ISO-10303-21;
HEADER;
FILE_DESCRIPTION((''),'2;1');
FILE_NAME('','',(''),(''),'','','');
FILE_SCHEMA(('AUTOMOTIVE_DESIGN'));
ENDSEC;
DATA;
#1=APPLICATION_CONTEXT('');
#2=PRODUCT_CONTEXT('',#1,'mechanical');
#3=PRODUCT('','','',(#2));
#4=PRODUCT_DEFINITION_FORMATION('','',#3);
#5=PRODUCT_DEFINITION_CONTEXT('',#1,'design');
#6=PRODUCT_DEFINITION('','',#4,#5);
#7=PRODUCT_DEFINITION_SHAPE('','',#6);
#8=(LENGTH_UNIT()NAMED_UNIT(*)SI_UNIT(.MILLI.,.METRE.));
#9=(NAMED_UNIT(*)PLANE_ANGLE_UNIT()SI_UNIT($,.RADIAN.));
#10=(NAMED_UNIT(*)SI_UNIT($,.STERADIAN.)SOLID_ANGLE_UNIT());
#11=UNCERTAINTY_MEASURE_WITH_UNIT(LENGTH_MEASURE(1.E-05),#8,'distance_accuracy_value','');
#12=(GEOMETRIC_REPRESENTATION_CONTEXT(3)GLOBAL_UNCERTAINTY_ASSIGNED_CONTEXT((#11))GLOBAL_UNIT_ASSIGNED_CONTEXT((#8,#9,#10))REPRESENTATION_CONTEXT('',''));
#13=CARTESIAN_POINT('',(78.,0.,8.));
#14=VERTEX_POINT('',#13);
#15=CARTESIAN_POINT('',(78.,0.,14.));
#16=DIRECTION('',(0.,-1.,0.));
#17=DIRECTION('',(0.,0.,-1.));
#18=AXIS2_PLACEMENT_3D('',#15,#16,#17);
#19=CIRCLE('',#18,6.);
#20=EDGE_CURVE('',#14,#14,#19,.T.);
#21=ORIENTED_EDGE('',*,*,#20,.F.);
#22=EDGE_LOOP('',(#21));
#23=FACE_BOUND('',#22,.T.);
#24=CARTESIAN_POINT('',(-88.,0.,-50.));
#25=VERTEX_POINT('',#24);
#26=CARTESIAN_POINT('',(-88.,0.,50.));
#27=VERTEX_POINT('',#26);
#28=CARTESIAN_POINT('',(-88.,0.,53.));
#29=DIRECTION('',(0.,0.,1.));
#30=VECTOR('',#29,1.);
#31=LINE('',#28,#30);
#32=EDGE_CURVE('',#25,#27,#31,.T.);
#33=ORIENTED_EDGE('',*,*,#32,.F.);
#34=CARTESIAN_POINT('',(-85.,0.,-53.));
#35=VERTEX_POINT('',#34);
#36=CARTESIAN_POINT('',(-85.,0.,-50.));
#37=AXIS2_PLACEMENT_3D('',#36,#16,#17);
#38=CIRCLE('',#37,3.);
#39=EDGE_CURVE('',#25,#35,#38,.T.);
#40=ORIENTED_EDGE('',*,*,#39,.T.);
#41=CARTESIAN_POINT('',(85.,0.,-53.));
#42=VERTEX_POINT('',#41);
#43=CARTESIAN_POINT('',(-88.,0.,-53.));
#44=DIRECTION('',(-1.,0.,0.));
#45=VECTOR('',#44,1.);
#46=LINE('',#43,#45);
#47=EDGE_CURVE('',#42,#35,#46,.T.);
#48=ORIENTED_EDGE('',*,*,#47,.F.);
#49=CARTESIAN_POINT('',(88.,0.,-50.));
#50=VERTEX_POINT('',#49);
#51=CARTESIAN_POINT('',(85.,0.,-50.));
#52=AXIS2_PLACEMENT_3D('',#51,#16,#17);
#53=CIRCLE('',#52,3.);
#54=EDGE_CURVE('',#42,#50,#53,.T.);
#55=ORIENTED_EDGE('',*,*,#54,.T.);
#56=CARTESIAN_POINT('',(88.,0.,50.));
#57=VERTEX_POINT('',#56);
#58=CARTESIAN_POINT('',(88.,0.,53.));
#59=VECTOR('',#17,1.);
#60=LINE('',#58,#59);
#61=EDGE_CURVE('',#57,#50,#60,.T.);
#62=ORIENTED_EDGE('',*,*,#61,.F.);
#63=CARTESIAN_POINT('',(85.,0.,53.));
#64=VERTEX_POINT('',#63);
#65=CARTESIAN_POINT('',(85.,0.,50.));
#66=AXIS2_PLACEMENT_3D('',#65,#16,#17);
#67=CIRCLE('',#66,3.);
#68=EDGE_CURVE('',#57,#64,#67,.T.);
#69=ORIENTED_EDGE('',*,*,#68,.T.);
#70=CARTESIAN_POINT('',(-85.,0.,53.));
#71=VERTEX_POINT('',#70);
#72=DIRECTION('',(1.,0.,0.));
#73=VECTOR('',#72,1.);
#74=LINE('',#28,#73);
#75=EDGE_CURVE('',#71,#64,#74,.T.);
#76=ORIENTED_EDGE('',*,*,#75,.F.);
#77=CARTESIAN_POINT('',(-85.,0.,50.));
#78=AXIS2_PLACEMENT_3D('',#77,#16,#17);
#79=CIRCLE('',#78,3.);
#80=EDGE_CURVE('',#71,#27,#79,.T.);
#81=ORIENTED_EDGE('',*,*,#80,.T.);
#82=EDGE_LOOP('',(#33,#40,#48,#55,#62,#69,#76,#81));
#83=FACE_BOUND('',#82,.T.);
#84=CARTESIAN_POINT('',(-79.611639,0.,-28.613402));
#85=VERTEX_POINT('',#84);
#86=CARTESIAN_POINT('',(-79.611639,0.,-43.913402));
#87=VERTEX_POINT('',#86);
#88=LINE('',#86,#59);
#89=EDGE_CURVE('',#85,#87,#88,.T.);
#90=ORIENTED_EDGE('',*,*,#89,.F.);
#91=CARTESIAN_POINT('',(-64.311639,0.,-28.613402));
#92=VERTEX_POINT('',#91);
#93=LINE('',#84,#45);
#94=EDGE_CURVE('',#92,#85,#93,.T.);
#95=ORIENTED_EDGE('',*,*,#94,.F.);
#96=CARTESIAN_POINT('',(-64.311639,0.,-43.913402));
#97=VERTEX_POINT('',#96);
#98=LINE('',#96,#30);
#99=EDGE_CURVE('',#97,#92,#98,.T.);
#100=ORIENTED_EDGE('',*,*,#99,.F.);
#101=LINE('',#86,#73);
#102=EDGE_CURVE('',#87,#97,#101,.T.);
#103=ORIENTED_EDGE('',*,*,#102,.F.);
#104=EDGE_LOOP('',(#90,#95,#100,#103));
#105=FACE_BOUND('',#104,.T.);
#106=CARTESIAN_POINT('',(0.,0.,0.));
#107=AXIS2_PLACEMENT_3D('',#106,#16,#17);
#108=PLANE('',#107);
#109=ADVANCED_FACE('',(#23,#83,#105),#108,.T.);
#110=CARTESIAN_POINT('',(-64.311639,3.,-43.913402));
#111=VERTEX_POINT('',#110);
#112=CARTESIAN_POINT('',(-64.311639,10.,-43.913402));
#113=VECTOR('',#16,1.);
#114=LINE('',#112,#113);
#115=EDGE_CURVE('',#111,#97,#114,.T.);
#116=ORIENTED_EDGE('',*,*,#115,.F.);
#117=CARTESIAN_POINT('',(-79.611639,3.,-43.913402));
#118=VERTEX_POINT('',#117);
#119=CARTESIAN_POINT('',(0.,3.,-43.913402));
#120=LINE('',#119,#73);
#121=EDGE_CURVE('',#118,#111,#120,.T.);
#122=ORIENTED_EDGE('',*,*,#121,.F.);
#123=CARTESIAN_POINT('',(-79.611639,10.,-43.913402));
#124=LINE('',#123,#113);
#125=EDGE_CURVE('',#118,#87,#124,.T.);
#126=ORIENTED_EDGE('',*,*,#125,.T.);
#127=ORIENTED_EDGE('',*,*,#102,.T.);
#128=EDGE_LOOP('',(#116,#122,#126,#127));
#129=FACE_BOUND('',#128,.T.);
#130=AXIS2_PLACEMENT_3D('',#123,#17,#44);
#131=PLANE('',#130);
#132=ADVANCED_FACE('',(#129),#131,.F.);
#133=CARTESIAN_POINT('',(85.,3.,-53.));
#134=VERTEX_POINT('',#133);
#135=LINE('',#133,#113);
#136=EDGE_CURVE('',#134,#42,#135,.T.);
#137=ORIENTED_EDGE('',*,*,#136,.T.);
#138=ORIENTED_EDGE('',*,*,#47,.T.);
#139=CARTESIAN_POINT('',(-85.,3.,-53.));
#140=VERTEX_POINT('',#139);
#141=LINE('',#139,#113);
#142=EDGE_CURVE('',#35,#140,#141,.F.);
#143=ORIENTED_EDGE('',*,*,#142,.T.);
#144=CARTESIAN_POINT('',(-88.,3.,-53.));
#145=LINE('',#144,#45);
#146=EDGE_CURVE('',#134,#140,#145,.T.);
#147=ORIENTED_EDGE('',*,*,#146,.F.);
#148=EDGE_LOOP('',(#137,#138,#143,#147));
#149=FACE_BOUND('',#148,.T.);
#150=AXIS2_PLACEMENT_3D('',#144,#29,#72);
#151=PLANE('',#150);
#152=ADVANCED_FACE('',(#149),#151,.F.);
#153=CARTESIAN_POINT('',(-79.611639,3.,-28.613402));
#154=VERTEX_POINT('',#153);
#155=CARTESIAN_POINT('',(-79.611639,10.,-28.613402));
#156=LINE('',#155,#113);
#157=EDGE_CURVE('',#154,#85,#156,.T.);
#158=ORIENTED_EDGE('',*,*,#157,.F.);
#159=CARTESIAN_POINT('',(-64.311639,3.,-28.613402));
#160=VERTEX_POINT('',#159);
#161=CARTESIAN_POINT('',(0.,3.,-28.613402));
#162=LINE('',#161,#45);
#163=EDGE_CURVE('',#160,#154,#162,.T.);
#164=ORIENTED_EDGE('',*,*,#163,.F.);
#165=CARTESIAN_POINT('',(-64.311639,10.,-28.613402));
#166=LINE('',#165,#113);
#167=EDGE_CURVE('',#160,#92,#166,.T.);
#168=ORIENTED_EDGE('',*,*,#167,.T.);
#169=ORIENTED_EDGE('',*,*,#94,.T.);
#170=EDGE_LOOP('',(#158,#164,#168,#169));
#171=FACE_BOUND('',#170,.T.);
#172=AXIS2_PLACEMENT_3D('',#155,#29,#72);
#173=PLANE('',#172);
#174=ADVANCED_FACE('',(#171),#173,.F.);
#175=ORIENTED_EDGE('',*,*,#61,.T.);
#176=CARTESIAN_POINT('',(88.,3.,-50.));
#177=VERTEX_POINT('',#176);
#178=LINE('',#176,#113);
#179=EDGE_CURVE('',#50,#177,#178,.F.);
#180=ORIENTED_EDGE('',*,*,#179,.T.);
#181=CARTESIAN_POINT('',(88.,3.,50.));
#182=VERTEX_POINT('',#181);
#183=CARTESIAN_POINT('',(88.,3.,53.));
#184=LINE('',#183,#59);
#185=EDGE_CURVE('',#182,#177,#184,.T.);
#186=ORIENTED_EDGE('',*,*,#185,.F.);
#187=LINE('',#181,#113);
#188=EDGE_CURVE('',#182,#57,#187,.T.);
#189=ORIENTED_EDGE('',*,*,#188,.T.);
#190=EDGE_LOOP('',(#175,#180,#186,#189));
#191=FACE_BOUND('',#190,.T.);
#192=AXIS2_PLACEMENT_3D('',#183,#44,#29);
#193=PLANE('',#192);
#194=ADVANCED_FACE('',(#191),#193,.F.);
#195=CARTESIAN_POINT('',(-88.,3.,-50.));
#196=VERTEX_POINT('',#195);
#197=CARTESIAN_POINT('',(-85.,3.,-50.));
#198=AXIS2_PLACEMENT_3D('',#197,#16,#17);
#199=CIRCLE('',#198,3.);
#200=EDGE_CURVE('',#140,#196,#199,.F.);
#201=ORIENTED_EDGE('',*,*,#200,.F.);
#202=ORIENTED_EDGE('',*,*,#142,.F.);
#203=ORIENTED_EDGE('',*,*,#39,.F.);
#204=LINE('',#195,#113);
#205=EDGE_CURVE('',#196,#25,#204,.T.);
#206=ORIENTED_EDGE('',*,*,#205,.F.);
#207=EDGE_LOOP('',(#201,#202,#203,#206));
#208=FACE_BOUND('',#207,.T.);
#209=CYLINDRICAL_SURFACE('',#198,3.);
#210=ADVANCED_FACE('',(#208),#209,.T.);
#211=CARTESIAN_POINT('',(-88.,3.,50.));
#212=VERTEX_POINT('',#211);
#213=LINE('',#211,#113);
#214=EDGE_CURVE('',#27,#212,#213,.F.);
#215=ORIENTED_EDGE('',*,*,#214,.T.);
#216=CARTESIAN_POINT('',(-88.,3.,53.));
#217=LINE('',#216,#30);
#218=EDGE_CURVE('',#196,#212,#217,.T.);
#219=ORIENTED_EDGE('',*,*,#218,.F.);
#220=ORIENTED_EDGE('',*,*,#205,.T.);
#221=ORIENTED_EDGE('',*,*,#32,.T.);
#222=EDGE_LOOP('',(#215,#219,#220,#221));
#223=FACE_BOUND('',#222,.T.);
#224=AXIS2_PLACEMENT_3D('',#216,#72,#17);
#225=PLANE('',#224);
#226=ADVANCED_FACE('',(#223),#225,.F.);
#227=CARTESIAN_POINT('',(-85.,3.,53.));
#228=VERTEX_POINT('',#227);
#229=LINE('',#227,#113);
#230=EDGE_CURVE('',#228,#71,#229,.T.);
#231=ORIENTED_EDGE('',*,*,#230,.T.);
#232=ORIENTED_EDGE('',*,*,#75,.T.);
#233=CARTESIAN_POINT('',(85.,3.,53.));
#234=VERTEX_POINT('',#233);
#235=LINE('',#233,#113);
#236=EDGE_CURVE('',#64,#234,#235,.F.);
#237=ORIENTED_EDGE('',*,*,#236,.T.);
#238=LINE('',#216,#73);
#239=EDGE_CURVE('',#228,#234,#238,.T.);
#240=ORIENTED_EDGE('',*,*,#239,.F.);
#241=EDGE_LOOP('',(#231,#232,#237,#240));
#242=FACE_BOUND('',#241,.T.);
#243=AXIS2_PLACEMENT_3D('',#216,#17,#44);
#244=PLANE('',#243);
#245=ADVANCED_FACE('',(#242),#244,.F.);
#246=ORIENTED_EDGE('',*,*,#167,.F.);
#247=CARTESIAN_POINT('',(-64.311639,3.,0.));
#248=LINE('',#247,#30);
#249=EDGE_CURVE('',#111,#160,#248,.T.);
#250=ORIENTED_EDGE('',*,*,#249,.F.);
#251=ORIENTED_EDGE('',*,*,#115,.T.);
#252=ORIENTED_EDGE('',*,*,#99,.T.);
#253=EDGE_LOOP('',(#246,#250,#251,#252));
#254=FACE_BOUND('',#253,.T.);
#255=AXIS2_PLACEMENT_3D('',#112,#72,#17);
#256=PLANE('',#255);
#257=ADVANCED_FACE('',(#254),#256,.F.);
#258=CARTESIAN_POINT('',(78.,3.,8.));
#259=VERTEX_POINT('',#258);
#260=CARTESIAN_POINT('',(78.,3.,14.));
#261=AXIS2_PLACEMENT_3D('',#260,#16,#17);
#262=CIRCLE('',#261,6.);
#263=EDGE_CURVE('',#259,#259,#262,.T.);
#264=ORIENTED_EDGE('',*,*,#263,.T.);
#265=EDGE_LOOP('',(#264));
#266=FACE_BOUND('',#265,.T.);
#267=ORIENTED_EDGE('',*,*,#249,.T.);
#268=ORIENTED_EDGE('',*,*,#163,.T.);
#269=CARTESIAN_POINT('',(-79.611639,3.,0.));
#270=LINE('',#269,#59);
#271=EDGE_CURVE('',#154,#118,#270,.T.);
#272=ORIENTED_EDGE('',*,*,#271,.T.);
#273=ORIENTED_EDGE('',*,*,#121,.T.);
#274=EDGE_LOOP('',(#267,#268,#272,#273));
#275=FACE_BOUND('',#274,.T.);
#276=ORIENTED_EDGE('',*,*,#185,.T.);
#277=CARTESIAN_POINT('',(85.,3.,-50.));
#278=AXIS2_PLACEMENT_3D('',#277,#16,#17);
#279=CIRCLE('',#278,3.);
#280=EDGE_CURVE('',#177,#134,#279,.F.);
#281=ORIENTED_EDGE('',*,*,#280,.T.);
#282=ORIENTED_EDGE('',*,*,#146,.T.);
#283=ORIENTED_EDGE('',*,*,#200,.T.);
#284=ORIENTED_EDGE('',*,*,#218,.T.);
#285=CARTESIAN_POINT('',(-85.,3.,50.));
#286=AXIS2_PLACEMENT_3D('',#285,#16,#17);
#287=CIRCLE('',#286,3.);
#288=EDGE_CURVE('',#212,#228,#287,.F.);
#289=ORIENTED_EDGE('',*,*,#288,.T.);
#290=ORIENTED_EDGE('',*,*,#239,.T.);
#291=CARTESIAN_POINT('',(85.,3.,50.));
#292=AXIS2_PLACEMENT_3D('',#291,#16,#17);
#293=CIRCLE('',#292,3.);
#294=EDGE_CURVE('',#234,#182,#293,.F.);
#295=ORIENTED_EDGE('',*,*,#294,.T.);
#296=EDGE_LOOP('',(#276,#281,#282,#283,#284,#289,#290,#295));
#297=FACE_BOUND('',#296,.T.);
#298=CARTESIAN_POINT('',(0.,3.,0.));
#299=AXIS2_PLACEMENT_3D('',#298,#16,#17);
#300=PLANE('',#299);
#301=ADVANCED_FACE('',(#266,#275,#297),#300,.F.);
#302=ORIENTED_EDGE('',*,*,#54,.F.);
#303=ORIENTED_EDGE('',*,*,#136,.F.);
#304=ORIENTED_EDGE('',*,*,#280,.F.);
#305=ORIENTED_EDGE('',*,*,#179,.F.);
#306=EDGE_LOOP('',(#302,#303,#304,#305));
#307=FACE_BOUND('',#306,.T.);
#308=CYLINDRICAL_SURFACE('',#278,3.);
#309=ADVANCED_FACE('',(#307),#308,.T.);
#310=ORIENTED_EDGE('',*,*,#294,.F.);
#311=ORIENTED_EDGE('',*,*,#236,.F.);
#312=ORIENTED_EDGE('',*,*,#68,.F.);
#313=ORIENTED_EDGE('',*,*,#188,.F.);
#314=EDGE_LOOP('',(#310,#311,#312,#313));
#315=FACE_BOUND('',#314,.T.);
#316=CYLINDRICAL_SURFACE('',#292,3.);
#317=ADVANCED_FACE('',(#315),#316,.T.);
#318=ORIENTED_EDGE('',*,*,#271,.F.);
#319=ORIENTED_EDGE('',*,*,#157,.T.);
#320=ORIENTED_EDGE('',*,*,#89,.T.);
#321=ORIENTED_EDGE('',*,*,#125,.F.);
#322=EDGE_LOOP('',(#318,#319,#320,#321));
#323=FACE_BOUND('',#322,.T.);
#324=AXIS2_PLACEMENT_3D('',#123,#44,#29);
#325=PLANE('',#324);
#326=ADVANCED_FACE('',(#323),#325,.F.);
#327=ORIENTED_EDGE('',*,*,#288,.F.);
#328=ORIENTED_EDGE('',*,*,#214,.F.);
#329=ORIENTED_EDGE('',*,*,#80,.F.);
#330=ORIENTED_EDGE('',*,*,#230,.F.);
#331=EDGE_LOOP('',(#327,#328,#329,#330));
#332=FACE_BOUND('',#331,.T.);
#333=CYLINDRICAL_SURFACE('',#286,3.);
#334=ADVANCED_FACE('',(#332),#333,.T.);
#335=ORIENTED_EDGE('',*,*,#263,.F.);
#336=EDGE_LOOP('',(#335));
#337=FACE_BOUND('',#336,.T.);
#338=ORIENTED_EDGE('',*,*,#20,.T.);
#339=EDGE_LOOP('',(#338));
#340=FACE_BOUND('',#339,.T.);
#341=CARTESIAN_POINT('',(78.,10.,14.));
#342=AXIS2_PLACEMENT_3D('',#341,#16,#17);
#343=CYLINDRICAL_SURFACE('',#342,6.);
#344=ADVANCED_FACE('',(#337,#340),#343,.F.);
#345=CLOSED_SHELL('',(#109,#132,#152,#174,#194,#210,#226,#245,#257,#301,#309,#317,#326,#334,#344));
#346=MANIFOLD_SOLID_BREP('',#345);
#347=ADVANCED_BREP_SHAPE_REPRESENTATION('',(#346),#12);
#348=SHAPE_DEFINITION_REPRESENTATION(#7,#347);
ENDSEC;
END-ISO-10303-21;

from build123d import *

# Parameters (mm, degrees)
ESQUISSE1_W             = 176
ESQUISSE1_H             = 106
BOSS_EXTRU_1_DEPTH      = 3
CONG_1_R                = 3
ESQUISSE3_R             = 6
ENL_V_MAT_EXTRU_2_DEPTH = 10
ESQUISSE4_W             = 15.3
ESQUISSE4_H             = 15.3
ENL_V_MAT_EXTRU_3_DEPTH = 10


with BuildPart() as part:
    # Esquisse1 → Boss.-Extru.1 (new body)
    with BuildSketch(Plane(origin=(0, 0, 0), x_dir=(1, 0, 0), z_dir=(0, 1, 0))):
        Rectangle(ESQUISSE1_W, ESQUISSE1_H)
    extrude(amount=BOSS_EXTRU_1_DEPTH)

    # Congé1
    cong_1_edges = [part.edges().sort_by_distance(p)[0] for p in [
        (88, 1.5, 53),
        (-88, 1.5, 53),
        (-88, 1.5, -53),
        (88, 1.5, -53),
    ]]
    fillet(cong_1_edges, radius=CONG_1_R)

    # Esquisse3 → Enlèv. mat.-Extru.2 (cut)
    with BuildSketch(Plane.XZ):
        with Locations((78, 14)):
            Circle(ESQUISSE3_R)
    extrude(amount=-ENL_V_MAT_EXTRU_2_DEPTH, mode=Mode.SUBTRACT)

    # Esquisse4 → Enlèv. mat.-Extru.3 (cut)
    with BuildSketch(Plane.XZ):
        with Locations((-71.961639113, -36.263401643)):
            Rectangle(ESQUISSE4_W, ESQUISSE4_H)
    extrude(amount=-ENL_V_MAT_EXTRU_3_DEPTH, mode=Mode.SUBTRACT)


solid = part.part
